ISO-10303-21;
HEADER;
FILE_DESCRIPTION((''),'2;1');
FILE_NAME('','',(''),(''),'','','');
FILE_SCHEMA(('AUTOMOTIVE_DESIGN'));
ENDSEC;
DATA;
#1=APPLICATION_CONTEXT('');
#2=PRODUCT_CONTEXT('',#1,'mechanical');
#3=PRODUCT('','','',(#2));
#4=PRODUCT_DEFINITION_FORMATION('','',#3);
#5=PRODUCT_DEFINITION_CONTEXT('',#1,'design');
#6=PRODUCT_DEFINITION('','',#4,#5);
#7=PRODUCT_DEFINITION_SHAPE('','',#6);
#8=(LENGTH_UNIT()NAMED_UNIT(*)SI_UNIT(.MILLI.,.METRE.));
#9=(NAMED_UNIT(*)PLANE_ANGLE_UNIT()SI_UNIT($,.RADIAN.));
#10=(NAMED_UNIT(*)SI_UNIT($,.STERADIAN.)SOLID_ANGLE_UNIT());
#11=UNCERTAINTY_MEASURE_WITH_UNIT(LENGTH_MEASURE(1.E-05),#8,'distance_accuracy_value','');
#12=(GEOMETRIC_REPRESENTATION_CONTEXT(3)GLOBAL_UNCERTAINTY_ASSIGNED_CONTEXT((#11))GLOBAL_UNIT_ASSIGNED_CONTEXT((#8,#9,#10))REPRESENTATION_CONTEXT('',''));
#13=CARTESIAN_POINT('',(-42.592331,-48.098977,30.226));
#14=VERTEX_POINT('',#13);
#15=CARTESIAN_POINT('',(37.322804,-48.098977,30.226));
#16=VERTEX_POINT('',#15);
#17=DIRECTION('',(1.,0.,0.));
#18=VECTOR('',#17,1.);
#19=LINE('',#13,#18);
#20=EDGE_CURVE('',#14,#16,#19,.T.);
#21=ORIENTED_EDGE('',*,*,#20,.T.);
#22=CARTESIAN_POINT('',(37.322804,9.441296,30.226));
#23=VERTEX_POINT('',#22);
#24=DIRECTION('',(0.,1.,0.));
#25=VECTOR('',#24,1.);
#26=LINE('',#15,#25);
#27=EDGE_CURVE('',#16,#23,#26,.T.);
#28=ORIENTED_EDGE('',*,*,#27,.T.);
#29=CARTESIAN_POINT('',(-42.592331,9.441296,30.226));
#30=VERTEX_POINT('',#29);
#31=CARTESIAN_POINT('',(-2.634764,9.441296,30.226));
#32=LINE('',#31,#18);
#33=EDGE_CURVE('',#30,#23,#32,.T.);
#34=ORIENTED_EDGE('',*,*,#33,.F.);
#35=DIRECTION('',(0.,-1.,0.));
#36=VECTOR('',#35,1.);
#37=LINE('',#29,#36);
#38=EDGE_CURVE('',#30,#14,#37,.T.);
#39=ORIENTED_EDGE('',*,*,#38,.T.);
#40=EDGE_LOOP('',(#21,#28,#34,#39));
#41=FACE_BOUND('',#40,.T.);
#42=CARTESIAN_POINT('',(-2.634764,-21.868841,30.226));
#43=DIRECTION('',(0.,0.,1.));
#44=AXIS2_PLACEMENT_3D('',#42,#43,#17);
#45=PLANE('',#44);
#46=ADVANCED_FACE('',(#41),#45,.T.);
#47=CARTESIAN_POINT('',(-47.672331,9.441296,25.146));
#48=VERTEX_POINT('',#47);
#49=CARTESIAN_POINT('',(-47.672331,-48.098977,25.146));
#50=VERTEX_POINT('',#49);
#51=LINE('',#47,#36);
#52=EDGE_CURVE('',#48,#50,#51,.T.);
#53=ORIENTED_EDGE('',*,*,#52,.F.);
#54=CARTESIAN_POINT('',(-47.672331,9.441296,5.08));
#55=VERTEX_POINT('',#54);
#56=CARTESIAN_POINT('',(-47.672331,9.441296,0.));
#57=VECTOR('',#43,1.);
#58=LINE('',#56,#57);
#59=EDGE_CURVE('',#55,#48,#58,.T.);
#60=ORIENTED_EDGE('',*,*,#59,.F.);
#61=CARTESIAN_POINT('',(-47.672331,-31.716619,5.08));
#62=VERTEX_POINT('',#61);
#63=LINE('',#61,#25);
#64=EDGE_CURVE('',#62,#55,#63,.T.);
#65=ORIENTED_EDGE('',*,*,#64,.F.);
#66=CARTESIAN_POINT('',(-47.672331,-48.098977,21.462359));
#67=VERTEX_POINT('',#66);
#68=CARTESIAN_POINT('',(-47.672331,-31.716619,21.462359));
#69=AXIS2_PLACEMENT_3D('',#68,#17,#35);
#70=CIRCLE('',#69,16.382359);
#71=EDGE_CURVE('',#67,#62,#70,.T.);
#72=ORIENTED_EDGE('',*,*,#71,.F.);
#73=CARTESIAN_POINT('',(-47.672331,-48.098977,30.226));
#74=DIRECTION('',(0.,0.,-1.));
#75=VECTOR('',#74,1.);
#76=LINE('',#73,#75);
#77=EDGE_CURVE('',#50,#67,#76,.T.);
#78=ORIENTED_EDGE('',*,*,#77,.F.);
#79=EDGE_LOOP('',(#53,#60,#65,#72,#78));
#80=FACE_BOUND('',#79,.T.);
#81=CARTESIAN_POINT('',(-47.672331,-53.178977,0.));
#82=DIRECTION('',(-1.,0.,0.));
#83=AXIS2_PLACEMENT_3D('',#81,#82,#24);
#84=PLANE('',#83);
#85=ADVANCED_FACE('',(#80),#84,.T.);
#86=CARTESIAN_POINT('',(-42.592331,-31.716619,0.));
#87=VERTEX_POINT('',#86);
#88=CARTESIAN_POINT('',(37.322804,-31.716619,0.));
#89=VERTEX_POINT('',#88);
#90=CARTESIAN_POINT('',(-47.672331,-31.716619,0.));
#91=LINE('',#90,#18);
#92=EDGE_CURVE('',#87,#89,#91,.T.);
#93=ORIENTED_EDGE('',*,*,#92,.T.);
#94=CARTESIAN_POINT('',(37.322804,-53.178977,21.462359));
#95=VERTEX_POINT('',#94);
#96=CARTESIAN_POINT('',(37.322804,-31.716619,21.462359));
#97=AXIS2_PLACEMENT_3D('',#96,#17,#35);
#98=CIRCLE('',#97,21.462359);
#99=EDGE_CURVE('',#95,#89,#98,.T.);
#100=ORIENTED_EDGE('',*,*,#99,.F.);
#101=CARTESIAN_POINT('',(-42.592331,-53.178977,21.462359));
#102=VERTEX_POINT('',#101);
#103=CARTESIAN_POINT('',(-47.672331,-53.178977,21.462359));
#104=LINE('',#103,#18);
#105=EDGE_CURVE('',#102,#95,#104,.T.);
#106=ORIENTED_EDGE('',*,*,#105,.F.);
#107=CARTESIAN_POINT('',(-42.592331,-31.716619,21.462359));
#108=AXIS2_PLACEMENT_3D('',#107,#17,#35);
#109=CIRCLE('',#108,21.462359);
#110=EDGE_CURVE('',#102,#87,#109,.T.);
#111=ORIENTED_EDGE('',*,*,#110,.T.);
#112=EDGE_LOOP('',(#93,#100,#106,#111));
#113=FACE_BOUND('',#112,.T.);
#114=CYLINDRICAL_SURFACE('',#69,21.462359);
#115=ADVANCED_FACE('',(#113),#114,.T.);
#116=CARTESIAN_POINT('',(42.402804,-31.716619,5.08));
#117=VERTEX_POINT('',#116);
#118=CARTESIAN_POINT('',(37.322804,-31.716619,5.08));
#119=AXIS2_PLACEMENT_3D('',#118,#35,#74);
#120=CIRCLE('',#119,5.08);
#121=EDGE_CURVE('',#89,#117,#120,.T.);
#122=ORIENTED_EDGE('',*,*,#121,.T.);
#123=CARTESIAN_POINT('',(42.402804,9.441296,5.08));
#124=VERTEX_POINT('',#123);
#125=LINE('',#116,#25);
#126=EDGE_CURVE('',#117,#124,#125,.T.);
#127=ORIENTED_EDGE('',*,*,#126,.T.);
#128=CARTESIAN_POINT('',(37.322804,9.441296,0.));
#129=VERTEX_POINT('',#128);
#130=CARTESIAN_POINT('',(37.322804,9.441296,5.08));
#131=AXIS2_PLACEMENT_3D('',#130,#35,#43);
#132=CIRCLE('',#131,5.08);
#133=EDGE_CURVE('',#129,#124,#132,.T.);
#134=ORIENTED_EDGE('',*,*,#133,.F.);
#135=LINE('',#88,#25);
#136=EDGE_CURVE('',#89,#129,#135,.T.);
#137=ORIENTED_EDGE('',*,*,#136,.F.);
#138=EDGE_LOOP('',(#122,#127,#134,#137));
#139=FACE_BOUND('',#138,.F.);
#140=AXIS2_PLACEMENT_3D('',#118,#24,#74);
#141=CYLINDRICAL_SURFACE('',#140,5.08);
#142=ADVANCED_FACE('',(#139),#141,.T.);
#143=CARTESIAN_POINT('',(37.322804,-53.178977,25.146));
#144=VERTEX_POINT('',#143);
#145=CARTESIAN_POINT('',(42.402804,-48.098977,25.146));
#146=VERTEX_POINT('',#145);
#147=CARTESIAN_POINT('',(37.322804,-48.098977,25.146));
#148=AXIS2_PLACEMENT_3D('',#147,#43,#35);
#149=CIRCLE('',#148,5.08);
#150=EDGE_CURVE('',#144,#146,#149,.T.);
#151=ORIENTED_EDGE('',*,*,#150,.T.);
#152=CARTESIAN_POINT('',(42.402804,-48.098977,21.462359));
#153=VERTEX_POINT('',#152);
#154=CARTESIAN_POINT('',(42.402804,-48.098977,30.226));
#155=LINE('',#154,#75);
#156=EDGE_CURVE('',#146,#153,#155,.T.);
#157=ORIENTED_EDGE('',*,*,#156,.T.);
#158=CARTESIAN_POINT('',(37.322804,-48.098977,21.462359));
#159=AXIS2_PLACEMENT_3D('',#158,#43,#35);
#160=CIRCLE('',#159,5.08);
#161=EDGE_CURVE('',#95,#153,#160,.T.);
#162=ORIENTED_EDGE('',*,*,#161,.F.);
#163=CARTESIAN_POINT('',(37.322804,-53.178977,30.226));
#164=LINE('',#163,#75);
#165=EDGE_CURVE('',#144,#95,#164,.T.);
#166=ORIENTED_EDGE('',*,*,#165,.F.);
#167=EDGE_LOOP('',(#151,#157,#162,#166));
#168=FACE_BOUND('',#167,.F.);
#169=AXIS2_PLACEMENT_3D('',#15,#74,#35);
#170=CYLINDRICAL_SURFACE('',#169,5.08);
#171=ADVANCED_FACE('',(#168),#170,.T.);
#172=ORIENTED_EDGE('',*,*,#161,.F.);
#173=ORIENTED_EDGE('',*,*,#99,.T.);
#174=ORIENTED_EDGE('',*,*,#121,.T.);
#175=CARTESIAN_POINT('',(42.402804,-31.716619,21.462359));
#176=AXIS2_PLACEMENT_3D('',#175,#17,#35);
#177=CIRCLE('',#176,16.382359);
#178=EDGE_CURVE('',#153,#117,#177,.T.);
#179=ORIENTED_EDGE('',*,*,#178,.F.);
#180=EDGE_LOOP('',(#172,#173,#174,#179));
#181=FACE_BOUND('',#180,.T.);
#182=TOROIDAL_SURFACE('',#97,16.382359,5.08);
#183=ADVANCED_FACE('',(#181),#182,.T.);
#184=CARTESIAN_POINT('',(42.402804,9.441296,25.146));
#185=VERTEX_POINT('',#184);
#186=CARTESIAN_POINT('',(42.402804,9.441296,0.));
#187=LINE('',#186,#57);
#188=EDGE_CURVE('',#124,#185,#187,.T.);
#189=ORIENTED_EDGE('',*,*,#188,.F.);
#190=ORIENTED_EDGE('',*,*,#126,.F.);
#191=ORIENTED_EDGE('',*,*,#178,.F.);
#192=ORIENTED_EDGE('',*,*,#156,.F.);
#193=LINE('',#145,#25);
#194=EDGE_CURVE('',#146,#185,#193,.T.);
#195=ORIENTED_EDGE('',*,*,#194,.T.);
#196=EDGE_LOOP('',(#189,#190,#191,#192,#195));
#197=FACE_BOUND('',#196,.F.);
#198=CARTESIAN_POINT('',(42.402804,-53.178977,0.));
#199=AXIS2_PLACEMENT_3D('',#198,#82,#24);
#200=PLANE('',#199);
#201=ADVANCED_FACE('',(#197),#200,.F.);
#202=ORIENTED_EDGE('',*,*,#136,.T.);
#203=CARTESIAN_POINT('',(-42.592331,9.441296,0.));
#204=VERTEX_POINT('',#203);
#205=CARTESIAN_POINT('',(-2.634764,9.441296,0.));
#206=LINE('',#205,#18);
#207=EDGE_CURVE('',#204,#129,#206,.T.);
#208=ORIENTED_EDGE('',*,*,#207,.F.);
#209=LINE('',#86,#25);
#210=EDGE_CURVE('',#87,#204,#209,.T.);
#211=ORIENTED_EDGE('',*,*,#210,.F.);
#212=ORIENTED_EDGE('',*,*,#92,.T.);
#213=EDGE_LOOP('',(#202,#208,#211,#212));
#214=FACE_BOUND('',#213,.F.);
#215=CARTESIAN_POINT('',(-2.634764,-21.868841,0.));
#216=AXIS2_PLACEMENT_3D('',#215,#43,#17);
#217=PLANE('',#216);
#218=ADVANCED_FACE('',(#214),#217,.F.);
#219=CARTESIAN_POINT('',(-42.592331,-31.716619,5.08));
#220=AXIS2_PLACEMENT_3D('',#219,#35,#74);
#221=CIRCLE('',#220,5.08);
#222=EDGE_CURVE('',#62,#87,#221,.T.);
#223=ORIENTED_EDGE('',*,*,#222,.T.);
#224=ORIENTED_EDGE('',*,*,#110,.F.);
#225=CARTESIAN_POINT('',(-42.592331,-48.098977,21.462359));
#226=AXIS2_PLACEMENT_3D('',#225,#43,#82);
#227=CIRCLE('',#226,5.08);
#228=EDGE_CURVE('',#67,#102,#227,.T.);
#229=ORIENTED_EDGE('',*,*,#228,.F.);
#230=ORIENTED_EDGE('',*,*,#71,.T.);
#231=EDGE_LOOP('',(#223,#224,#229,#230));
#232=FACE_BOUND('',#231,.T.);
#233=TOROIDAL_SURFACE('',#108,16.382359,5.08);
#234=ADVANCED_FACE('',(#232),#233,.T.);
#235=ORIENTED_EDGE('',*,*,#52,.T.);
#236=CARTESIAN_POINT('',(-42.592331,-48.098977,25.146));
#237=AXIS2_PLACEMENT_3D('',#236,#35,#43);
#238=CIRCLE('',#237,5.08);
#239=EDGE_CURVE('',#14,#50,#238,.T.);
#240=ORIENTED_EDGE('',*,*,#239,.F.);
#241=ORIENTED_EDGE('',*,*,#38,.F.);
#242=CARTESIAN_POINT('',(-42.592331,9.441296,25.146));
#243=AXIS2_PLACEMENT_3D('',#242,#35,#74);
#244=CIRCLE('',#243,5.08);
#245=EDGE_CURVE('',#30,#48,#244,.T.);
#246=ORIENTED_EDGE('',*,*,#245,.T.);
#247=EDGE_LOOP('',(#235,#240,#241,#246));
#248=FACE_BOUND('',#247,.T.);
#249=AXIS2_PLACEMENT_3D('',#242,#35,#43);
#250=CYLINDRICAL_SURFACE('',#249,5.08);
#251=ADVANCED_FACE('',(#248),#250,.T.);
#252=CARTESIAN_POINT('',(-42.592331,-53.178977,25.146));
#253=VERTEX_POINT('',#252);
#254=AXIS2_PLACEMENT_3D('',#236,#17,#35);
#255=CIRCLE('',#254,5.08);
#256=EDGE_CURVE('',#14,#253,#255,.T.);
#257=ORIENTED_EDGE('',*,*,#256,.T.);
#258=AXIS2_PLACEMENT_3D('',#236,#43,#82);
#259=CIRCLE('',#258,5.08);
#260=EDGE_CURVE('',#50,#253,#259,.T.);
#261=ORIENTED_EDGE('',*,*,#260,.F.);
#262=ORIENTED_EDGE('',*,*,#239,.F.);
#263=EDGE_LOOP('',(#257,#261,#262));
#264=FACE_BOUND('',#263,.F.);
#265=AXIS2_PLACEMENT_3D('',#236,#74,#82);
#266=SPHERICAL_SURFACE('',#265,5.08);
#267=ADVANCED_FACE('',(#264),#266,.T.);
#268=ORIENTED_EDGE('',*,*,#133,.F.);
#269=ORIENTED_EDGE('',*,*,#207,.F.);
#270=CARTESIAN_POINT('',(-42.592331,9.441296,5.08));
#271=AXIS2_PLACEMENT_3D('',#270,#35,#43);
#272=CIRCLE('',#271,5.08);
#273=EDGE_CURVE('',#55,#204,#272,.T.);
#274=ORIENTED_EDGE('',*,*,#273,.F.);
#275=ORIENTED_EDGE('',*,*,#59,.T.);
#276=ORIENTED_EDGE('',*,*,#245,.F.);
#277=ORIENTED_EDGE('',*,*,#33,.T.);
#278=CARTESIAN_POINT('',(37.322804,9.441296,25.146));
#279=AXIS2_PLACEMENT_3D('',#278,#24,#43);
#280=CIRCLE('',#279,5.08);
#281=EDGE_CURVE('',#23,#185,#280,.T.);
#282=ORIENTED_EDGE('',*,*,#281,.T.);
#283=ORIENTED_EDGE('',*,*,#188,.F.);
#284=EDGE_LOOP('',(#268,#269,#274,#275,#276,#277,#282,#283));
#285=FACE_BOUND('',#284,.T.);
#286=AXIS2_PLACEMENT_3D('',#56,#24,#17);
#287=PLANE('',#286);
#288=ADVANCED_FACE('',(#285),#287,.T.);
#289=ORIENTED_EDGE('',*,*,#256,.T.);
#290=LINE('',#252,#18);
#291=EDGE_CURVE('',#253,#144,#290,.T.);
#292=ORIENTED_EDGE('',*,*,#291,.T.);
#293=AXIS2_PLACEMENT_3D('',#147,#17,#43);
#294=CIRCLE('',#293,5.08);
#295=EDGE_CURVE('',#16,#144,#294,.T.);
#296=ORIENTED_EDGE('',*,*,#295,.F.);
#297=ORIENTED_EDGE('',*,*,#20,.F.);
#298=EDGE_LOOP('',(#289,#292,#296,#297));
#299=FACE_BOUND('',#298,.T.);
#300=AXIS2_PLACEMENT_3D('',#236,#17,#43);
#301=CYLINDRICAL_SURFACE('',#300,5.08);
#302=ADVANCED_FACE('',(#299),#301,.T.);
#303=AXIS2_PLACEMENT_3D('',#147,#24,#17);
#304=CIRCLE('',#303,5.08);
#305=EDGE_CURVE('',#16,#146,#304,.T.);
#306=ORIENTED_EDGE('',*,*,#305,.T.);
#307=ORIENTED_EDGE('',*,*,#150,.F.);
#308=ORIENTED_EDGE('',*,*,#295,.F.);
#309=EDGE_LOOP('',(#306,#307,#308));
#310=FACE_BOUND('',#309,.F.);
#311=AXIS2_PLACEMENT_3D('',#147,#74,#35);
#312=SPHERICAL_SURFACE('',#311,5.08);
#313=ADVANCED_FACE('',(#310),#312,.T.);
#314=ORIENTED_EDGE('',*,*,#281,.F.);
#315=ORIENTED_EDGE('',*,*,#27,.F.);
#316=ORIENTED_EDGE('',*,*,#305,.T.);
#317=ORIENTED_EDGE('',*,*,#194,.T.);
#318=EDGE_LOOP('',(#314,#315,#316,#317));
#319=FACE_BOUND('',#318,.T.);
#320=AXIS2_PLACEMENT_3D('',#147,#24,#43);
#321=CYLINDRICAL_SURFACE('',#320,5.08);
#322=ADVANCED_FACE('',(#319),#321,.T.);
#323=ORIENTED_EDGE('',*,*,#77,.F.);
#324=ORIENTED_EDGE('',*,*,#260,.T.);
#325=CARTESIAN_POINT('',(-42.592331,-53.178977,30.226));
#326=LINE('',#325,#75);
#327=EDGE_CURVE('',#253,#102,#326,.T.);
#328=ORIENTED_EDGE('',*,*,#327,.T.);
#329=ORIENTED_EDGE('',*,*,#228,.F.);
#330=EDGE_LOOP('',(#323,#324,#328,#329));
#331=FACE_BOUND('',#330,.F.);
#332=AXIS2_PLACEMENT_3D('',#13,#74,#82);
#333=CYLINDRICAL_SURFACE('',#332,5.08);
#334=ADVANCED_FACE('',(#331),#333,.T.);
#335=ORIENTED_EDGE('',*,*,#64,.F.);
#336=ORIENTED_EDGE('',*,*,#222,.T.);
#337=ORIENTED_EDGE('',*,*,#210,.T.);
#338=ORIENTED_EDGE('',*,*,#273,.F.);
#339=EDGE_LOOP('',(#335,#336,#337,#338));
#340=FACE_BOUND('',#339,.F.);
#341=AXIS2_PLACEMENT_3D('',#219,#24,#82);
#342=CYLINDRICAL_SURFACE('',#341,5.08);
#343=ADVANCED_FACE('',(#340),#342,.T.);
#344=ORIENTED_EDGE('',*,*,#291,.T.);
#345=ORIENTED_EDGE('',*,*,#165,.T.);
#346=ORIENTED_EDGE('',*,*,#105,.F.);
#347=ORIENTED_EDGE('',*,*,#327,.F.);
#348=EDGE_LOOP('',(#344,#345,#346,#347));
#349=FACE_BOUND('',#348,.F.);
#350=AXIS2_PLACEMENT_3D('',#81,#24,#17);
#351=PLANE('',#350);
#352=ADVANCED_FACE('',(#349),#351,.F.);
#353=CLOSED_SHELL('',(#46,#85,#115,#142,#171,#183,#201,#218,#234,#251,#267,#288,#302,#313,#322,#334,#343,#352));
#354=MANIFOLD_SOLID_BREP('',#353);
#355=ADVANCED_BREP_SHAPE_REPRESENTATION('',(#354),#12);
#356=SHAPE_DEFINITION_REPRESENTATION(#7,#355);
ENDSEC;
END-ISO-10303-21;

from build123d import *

# Parameters (mm, degrees)
F0_W     = 90.075135231
F0_H     = 62.6202728599
F1_DEPTH = 30.226
F2_R     = 21.4623585695
F3_R     = 5.08
F4_R     = 5.08


with BuildPart() as f1:
    # F0 (on Top) → F1 (new body)
    with BuildSketch(Plane.XY):
        with Locations((-2.6347637177, -21.8688407913)):
            Rectangle(F0_W, F0_H)
    extrude(amount=F1_DEPTH)

    # F2
    f2_edges = [f1.edges().sort_by_distance(p)[0] for p in [
        (-2.634764, -53.178977, 0),
    ]]
    fillet(f2_edges, radius=F2_R)

    # F3
    f3_edges = [f1.edges().sort_by_distance(p)[0] for p in [
        (42.402804, -11.137662, 0),
        (-47.672331, -11.137662, 0),
    ]]
    fillet(f3_edges, radius=F3_R)

    # F4
    f4_edges = [f1.edges().sort_by_distance(p)[0] for p in [
        (-2.634764, -53.178977, 21.462359),
        (-42.592331, -53.178977, 25.844179),
        (37.322804, -53.178977, 25.844179),
        (-2.634764, -53.178977, 30.226),
        (-42.592331, -46.892798, 6.286179),
        (37.322804, -46.892798, 6.286179),
        (-2.634764, -31.716619, 0),
    ]]
    fillet(f4_edges, radius=F4_R)


solid = f1.part
